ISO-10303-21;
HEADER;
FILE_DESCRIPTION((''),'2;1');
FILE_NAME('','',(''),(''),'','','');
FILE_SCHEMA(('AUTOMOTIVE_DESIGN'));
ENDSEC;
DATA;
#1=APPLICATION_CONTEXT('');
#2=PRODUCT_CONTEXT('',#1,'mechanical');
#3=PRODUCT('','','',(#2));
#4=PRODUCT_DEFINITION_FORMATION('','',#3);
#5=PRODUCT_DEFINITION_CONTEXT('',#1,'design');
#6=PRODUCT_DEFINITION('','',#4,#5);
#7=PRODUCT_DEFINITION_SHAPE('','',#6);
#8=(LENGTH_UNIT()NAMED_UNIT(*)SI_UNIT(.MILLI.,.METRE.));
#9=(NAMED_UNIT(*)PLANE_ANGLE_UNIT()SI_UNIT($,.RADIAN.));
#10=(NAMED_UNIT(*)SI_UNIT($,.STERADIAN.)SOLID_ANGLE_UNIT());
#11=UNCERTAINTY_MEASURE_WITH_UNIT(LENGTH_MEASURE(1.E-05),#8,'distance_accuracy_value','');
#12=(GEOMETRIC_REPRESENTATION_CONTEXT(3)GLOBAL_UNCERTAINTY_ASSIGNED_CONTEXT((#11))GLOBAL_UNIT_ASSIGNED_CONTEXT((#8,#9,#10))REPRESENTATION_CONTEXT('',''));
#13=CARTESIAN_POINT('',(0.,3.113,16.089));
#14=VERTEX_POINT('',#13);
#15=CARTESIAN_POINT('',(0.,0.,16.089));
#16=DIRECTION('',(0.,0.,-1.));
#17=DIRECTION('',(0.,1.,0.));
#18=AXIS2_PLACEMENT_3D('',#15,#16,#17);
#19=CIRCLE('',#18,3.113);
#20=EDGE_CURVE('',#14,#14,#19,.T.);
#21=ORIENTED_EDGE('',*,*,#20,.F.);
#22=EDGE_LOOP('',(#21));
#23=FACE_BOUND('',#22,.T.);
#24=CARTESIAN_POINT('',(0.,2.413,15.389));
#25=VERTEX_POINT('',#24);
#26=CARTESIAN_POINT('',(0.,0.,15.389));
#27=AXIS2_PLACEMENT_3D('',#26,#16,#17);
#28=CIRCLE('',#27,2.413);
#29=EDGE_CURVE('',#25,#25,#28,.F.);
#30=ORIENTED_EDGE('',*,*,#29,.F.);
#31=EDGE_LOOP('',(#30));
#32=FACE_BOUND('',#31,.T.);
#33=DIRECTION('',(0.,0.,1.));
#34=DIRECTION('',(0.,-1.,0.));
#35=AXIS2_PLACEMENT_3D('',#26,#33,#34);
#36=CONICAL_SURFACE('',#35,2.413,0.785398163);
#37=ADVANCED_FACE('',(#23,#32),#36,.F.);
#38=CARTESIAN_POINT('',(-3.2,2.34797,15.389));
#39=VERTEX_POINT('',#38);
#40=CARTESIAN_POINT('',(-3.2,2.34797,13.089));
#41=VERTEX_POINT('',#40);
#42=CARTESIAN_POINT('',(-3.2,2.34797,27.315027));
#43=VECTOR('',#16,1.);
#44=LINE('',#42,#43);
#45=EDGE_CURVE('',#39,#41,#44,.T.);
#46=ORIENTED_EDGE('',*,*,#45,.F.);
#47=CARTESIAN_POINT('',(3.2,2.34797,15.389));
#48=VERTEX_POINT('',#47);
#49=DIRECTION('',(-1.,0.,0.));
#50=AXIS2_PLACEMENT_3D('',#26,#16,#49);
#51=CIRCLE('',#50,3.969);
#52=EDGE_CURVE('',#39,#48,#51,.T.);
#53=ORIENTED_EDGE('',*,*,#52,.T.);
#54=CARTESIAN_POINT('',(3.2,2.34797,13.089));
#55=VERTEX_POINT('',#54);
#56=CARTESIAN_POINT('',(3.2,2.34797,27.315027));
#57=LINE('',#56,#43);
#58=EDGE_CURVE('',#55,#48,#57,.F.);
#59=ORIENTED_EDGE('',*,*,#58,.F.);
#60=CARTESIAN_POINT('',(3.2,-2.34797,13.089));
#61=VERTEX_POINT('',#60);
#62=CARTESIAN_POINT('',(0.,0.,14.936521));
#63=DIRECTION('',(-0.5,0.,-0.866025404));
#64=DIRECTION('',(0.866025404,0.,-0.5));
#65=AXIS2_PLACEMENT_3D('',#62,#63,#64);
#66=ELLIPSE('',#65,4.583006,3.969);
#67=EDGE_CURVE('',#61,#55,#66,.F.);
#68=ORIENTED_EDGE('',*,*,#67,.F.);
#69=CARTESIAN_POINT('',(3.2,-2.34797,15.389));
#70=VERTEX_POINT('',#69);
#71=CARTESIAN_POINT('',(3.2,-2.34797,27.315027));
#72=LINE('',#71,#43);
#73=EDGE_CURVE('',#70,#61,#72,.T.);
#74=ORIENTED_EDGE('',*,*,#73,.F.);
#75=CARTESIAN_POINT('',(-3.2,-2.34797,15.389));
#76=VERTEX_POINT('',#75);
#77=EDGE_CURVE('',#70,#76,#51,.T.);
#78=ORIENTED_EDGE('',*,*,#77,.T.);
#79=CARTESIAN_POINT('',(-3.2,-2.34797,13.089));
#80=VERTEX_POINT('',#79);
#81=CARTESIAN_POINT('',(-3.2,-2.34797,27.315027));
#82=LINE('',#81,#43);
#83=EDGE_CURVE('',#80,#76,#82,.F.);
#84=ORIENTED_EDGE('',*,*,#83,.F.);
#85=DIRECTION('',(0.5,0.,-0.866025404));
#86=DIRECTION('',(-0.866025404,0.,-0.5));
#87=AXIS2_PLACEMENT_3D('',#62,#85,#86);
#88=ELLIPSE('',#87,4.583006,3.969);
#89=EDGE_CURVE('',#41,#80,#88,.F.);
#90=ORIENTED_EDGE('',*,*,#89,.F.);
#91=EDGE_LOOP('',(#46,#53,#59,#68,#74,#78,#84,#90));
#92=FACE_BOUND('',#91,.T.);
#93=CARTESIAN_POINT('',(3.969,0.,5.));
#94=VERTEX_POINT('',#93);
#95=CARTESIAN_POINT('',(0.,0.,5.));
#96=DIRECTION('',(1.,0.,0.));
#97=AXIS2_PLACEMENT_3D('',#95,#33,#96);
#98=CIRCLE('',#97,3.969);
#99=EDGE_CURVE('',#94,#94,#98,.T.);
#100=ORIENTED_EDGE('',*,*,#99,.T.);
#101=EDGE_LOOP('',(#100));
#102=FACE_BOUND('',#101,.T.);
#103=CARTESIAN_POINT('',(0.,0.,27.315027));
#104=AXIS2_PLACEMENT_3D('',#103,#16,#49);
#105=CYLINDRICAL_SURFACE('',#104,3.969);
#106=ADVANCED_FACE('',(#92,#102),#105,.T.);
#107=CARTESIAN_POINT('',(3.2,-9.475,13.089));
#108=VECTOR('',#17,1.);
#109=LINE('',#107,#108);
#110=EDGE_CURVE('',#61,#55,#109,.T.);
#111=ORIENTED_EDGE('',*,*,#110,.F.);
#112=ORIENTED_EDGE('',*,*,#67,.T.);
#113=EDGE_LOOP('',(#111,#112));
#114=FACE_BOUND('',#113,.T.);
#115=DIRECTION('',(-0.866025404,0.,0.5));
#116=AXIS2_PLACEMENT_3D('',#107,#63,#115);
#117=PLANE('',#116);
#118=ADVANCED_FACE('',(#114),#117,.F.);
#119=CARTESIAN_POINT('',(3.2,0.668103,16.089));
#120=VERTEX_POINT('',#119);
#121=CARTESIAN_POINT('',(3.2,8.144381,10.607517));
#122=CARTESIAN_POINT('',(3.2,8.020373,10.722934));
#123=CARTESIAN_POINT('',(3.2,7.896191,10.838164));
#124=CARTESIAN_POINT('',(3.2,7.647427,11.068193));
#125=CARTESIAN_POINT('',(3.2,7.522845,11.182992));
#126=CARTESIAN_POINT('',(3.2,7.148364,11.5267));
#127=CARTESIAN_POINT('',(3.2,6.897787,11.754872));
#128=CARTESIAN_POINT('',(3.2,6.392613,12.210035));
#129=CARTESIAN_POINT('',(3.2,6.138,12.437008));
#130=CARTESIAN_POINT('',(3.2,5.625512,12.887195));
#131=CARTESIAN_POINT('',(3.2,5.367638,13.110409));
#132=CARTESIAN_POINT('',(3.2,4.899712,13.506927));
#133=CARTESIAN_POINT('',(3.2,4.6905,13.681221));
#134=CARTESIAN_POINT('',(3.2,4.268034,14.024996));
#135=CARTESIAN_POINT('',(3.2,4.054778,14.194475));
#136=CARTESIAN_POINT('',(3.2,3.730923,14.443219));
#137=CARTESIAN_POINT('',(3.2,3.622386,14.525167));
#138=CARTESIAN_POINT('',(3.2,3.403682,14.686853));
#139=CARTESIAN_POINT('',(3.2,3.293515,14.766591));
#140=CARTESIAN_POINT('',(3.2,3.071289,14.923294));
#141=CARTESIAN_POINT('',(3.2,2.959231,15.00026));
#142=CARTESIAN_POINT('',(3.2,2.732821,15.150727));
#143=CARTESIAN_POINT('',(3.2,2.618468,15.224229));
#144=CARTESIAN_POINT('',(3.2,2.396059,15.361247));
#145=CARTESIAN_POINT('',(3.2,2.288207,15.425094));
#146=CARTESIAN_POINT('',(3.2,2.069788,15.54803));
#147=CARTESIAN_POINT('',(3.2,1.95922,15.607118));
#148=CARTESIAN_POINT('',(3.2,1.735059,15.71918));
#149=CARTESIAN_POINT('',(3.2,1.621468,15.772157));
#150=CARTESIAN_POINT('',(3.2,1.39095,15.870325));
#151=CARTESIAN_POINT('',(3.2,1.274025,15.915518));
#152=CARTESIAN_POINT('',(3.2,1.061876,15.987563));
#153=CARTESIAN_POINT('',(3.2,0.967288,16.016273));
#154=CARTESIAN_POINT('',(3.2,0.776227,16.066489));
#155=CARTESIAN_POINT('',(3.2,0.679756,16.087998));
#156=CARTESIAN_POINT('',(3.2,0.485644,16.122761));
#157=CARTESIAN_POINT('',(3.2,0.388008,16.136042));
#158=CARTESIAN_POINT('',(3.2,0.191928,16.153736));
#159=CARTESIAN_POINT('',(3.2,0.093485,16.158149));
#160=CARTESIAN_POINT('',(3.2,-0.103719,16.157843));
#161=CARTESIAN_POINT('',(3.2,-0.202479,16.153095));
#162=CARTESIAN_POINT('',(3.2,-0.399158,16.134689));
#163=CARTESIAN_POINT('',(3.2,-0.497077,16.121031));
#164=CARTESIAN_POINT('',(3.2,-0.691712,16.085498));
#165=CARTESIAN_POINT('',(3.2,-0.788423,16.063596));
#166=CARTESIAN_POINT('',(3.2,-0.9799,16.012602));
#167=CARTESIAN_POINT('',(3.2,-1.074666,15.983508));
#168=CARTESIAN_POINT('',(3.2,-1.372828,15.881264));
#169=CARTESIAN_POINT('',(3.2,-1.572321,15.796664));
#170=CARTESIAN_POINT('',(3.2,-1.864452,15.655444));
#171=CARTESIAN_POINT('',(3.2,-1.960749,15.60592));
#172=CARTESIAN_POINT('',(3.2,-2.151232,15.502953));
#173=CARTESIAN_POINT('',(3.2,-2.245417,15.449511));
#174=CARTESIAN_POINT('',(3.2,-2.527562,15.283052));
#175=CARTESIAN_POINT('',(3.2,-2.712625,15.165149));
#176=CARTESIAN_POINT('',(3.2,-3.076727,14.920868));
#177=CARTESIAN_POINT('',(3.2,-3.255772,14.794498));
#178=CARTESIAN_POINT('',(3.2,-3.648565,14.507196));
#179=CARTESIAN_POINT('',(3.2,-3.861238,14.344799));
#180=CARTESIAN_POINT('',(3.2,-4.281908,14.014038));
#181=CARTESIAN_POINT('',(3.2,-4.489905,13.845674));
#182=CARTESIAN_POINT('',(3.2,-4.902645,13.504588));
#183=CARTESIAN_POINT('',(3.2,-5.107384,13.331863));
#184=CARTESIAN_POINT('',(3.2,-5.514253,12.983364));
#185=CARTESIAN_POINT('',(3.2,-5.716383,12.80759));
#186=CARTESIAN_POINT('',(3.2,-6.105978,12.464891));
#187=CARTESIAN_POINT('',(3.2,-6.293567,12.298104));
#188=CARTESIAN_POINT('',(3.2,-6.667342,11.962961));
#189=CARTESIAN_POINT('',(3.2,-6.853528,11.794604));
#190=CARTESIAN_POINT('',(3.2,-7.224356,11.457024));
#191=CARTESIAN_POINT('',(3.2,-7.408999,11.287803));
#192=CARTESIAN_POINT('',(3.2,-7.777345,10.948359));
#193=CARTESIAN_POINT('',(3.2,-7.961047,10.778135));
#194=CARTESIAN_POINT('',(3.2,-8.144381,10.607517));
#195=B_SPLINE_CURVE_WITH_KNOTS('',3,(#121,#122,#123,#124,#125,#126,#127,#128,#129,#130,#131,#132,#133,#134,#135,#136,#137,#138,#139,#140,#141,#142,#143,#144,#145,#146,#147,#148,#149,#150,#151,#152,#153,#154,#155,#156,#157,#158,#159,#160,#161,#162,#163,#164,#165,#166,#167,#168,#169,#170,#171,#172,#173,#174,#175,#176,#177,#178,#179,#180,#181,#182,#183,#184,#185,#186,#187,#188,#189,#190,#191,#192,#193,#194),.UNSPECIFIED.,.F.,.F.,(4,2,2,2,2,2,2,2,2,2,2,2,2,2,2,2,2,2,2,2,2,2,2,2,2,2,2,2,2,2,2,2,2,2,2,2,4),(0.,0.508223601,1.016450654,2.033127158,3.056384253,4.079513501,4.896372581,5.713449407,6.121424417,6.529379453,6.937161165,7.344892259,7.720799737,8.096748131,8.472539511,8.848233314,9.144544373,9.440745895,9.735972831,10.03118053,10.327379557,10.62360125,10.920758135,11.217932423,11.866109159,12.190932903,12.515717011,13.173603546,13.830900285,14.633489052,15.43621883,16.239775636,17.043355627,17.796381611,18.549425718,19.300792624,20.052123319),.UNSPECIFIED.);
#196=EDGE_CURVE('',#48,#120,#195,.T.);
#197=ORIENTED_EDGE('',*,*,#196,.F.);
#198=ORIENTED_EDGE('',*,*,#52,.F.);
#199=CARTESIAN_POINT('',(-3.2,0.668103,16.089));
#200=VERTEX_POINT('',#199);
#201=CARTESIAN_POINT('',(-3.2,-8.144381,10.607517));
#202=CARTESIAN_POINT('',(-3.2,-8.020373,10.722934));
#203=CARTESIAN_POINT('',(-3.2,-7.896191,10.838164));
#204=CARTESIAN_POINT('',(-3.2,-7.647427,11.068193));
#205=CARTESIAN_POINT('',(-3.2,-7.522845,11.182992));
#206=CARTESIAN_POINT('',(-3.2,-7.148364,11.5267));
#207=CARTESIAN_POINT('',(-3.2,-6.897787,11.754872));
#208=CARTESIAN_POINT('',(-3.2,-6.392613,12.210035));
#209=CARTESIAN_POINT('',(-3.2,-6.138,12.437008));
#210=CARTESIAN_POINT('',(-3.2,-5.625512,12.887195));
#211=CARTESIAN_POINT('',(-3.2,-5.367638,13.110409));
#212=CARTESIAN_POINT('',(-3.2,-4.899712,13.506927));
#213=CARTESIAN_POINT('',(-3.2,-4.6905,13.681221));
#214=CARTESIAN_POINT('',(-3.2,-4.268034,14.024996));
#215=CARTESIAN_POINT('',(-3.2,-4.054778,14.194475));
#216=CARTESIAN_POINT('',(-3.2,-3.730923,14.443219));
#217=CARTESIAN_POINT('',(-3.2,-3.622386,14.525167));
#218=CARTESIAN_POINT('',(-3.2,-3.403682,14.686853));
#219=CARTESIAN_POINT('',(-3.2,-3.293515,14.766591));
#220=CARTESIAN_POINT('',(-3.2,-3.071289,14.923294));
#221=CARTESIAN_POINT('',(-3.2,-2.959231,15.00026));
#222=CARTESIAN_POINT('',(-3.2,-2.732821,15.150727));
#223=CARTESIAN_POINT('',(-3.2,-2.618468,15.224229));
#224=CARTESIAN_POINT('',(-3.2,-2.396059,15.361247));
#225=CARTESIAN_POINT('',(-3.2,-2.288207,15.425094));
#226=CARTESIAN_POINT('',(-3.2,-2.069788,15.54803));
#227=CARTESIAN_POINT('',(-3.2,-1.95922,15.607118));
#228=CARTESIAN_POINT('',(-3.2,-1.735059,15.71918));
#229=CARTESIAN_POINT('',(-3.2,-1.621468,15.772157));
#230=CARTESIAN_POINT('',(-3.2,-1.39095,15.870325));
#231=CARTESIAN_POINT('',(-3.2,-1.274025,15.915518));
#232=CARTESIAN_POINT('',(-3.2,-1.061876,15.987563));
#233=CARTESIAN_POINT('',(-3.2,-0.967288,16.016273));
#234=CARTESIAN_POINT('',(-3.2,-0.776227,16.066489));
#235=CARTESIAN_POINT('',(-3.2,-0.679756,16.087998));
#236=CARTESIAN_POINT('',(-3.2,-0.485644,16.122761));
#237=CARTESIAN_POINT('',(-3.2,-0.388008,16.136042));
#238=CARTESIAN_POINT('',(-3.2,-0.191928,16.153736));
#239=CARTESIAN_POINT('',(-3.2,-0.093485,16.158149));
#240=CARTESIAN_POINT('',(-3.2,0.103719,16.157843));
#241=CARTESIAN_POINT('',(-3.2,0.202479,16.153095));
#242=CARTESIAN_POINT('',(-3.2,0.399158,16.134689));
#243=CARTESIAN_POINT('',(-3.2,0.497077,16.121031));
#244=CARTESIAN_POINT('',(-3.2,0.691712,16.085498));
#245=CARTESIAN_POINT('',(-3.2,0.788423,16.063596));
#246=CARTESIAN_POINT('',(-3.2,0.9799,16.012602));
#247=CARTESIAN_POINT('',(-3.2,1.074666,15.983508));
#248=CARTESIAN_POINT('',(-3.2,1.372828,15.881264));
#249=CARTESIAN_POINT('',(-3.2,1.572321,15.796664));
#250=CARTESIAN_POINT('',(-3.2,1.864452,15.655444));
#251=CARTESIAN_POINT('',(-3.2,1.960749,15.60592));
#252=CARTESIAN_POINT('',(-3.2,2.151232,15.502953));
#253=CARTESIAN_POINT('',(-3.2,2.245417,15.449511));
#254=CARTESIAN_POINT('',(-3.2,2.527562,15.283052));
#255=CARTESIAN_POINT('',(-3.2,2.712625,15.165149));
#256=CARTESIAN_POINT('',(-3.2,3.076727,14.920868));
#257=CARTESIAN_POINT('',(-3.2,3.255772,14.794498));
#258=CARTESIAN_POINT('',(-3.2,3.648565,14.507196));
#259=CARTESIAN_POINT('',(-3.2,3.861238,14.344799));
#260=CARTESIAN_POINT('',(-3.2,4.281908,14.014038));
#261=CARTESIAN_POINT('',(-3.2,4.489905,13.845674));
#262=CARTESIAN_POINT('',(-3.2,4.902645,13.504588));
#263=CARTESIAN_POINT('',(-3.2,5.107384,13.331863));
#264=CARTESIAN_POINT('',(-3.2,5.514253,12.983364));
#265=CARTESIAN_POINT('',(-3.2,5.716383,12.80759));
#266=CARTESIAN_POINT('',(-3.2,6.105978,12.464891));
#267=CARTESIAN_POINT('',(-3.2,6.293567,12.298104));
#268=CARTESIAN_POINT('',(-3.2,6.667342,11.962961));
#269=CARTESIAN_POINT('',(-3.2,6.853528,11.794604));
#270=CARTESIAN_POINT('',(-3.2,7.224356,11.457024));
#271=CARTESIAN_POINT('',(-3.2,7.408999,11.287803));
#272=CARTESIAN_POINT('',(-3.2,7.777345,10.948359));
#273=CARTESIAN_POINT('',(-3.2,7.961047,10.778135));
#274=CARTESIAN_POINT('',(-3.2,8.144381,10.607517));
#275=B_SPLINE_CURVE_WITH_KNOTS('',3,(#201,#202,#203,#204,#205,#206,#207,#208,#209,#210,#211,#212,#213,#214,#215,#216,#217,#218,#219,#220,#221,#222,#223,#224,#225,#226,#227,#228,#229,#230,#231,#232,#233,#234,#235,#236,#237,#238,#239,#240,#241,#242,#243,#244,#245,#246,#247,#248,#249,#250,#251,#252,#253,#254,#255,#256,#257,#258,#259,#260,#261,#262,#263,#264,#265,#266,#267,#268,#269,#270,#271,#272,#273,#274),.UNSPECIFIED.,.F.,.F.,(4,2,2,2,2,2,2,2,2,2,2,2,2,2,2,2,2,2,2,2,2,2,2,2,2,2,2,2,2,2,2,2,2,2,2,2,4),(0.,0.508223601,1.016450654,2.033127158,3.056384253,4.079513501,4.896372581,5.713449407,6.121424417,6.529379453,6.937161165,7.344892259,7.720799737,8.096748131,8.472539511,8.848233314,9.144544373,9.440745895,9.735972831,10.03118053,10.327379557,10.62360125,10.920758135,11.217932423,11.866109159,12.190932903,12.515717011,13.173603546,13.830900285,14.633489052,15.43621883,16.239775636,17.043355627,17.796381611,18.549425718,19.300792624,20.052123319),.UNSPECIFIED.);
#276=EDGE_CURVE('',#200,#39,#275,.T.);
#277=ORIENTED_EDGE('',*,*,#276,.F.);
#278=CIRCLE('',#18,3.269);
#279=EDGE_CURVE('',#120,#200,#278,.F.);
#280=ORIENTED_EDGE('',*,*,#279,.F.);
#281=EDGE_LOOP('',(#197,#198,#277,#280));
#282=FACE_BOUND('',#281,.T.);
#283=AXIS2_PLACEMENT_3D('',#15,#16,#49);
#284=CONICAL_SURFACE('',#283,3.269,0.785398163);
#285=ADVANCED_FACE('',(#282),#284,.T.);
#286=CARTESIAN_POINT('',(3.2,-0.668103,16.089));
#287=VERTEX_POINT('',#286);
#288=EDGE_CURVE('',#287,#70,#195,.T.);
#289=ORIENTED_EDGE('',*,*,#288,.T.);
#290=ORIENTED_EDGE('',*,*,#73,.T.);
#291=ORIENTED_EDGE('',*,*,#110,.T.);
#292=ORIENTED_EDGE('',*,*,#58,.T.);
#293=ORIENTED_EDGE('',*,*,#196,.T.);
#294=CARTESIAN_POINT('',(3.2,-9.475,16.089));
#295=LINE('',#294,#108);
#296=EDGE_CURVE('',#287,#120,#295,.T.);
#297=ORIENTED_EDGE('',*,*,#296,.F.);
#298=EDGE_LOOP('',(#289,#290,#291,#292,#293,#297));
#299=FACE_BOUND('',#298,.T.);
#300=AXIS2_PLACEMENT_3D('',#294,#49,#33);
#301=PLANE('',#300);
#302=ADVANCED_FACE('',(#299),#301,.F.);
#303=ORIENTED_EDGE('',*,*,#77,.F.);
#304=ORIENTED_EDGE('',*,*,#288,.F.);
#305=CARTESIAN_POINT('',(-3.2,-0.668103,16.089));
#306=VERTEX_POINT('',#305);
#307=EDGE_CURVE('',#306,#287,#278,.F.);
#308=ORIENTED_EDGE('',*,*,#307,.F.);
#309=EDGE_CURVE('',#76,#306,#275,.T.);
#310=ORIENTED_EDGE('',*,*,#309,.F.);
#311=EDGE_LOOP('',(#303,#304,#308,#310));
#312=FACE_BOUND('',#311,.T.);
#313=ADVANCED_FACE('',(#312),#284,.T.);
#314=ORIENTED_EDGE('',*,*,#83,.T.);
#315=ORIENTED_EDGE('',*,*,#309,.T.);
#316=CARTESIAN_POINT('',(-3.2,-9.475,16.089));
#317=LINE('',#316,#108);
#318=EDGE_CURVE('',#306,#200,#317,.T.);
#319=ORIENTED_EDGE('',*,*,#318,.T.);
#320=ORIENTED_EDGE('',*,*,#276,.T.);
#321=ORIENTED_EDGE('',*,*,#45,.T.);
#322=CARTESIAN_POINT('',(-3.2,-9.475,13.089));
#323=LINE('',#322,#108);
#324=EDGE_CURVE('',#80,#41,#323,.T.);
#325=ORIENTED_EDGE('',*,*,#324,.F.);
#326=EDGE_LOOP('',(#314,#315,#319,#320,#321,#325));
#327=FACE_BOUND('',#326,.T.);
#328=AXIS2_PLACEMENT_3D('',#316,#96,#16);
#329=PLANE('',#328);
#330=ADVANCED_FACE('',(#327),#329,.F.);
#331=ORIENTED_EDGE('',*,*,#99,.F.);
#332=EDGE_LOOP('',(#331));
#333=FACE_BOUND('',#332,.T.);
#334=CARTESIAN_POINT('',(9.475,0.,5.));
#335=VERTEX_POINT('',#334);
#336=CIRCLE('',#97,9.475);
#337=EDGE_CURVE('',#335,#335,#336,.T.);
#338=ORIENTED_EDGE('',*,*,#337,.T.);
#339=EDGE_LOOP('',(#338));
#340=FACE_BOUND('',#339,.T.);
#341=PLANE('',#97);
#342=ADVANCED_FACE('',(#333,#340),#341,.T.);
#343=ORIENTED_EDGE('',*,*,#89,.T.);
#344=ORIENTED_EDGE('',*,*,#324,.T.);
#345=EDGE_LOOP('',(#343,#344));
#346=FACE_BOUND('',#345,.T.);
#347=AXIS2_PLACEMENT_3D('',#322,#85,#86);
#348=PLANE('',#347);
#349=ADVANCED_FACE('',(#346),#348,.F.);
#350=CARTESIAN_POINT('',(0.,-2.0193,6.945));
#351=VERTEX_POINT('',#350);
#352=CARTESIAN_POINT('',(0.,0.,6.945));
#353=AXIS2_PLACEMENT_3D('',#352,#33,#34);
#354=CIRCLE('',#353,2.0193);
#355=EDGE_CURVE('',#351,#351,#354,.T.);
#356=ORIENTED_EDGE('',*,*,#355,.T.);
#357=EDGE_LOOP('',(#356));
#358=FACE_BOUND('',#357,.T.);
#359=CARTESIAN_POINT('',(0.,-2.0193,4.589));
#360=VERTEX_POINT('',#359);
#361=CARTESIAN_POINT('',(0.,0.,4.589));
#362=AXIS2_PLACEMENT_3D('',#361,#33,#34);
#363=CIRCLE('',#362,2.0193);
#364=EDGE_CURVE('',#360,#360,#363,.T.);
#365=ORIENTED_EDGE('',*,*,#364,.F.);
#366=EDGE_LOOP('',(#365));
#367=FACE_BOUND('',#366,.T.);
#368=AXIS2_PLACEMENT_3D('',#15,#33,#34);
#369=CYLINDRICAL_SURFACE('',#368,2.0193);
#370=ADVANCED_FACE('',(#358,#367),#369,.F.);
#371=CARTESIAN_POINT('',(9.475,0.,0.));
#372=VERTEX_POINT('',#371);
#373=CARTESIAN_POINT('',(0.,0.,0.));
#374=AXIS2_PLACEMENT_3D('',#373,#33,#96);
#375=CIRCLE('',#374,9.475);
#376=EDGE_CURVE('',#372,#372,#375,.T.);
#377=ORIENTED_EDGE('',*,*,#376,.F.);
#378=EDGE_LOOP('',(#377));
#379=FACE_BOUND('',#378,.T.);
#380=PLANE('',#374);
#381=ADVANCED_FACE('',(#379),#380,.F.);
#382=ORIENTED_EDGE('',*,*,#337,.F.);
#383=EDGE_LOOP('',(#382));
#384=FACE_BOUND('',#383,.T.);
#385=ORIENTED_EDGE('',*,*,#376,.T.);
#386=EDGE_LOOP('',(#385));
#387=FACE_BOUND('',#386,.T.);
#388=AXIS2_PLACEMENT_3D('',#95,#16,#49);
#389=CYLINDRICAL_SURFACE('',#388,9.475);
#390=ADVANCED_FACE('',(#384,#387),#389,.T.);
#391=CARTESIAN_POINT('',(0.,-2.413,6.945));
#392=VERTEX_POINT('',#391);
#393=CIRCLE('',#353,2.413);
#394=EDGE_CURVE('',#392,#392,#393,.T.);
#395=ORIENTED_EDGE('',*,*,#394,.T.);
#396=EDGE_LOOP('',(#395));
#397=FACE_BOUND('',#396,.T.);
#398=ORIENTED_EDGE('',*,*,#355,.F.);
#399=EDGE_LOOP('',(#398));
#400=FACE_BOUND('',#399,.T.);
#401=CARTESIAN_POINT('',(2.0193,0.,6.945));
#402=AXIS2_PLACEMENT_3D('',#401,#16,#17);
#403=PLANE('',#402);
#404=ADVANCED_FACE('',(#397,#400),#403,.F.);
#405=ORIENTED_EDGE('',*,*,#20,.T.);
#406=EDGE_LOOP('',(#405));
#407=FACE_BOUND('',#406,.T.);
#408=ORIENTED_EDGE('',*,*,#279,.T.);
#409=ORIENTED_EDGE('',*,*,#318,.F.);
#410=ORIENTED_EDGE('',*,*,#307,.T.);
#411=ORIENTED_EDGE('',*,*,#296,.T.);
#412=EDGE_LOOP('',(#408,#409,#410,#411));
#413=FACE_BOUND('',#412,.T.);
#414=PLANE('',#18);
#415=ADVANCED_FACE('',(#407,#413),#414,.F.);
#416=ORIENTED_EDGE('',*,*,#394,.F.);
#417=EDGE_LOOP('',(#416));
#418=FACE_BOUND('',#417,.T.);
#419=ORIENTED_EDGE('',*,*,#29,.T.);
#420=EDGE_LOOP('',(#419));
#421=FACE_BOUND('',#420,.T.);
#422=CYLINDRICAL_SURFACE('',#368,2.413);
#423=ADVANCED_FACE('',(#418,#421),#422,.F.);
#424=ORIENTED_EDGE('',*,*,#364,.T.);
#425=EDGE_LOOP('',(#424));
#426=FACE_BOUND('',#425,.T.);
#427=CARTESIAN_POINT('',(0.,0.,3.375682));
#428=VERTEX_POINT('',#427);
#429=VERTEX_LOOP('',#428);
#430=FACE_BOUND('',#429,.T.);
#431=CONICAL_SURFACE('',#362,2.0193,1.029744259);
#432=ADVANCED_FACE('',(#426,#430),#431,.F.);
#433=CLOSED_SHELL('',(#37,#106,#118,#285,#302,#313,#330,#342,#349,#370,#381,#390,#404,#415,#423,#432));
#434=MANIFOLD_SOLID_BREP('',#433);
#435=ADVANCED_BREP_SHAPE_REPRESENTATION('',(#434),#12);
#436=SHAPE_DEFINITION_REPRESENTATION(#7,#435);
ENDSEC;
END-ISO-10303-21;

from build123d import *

# Parameters (mm, degrees)
SKETCH1_R                               = 9.475
PISTON_DEPTH                            = 5
SKETCH2_R                               = 3.969
ROD_DEPTH                               = 16.089
F_075_10_32_INTERNAL_THREAD_D           = 4.0386
F_075_10_32_INTERNAL_THREAD_DEPTH       = 11.5
F_075_10_32_INTERNAL_THREAD_CBORE_D     = 4.826
F_075_10_32_INTERNAL_THREAD_CBORE_DEPTH = 9.144
F_075_10_32_INTERNAL_THREAD_TIP         = 1.213317848
ROD_END_CHAMFER_SIZE                    = 0.7
WRENCH_FLATS_DEPTH                      = 21.938174968
WRENCH_FLATS_DEPTH_BACK                 = 21.938174968


with BuildPart() as part:
    # Sketch1 → Piston (new body)
    with BuildSketch(Plane.XY):
        Circle(SKETCH1_R)
    extrude(amount=PISTON_DEPTH)

    # Sketch2 → Rod (add)
    with BuildSketch(Plane(origin=(0, 0, 0), x_dir=(-1, 0, 0), z_dir=(0, 0, -1))):
        with Locations(Location((0, 0, 0), (0, 0, 90))):
            Circle(SKETCH2_R)
    extrude(amount=-ROD_DEPTH)

    # 075 #10-32 Internal Thread
    with Locations(Plane(origin=(0, 0, 16.089), x_dir=(0, 1, 0), z_dir=(0, 0, 1))):
        with Locations((0, 0)):
            CounterBoreHole(F_075_10_32_INTERNAL_THREAD_D / 2, F_075_10_32_INTERNAL_THREAD_CBORE_D / 2, F_075_10_32_INTERNAL_THREAD_CBORE_DEPTH, depth=F_075_10_32_INTERNAL_THREAD_DEPTH)
            with Locations((0, 0, -(F_075_10_32_INTERNAL_THREAD_DEPTH + F_075_10_32_INTERNAL_THREAD_TIP / 2))):  # 118° drill point
                Cone(0, F_075_10_32_INTERNAL_THREAD_D / 2, F_075_10_32_INTERNAL_THREAD_TIP, mode=Mode.SUBTRACT)

    # Rod End Chamfer
    rod_end_chamfer_edges = [part.edges().sort_by_distance(p)[0] for p in [
        (0, -2.413, 16.089),
        (0, -3.969, 16.089),
    ]]
    chamfer(rod_end_chamfer_edges, length=ROD_END_CHAMFER_SIZE)

    # Sketch11 → Wrench Flats (cut, two sides: drawn at the far end of the back side and taken through both)
    with BuildSketch(Plane(origin=(0, 0, 0), x_dir=(1, 0, 0), z_dir=(0, 1, 0)).offset(-WRENCH_FLATS_DEPTH_BACK)):
        Polygon((-3.2, -16.089), (-3.2, -13.089), (-8.2, -10.202248654), (-8.2, -16.089), align=None)
        Polygon((3.2, -16.089), (3.2, -13.089), (8.2, -10.202248654), (8.2, -16.089), align=None)
    extrude(amount=WRENCH_FLATS_DEPTH + WRENCH_FLATS_DEPTH_BACK, mode=Mode.SUBTRACT)


solid = part.part
